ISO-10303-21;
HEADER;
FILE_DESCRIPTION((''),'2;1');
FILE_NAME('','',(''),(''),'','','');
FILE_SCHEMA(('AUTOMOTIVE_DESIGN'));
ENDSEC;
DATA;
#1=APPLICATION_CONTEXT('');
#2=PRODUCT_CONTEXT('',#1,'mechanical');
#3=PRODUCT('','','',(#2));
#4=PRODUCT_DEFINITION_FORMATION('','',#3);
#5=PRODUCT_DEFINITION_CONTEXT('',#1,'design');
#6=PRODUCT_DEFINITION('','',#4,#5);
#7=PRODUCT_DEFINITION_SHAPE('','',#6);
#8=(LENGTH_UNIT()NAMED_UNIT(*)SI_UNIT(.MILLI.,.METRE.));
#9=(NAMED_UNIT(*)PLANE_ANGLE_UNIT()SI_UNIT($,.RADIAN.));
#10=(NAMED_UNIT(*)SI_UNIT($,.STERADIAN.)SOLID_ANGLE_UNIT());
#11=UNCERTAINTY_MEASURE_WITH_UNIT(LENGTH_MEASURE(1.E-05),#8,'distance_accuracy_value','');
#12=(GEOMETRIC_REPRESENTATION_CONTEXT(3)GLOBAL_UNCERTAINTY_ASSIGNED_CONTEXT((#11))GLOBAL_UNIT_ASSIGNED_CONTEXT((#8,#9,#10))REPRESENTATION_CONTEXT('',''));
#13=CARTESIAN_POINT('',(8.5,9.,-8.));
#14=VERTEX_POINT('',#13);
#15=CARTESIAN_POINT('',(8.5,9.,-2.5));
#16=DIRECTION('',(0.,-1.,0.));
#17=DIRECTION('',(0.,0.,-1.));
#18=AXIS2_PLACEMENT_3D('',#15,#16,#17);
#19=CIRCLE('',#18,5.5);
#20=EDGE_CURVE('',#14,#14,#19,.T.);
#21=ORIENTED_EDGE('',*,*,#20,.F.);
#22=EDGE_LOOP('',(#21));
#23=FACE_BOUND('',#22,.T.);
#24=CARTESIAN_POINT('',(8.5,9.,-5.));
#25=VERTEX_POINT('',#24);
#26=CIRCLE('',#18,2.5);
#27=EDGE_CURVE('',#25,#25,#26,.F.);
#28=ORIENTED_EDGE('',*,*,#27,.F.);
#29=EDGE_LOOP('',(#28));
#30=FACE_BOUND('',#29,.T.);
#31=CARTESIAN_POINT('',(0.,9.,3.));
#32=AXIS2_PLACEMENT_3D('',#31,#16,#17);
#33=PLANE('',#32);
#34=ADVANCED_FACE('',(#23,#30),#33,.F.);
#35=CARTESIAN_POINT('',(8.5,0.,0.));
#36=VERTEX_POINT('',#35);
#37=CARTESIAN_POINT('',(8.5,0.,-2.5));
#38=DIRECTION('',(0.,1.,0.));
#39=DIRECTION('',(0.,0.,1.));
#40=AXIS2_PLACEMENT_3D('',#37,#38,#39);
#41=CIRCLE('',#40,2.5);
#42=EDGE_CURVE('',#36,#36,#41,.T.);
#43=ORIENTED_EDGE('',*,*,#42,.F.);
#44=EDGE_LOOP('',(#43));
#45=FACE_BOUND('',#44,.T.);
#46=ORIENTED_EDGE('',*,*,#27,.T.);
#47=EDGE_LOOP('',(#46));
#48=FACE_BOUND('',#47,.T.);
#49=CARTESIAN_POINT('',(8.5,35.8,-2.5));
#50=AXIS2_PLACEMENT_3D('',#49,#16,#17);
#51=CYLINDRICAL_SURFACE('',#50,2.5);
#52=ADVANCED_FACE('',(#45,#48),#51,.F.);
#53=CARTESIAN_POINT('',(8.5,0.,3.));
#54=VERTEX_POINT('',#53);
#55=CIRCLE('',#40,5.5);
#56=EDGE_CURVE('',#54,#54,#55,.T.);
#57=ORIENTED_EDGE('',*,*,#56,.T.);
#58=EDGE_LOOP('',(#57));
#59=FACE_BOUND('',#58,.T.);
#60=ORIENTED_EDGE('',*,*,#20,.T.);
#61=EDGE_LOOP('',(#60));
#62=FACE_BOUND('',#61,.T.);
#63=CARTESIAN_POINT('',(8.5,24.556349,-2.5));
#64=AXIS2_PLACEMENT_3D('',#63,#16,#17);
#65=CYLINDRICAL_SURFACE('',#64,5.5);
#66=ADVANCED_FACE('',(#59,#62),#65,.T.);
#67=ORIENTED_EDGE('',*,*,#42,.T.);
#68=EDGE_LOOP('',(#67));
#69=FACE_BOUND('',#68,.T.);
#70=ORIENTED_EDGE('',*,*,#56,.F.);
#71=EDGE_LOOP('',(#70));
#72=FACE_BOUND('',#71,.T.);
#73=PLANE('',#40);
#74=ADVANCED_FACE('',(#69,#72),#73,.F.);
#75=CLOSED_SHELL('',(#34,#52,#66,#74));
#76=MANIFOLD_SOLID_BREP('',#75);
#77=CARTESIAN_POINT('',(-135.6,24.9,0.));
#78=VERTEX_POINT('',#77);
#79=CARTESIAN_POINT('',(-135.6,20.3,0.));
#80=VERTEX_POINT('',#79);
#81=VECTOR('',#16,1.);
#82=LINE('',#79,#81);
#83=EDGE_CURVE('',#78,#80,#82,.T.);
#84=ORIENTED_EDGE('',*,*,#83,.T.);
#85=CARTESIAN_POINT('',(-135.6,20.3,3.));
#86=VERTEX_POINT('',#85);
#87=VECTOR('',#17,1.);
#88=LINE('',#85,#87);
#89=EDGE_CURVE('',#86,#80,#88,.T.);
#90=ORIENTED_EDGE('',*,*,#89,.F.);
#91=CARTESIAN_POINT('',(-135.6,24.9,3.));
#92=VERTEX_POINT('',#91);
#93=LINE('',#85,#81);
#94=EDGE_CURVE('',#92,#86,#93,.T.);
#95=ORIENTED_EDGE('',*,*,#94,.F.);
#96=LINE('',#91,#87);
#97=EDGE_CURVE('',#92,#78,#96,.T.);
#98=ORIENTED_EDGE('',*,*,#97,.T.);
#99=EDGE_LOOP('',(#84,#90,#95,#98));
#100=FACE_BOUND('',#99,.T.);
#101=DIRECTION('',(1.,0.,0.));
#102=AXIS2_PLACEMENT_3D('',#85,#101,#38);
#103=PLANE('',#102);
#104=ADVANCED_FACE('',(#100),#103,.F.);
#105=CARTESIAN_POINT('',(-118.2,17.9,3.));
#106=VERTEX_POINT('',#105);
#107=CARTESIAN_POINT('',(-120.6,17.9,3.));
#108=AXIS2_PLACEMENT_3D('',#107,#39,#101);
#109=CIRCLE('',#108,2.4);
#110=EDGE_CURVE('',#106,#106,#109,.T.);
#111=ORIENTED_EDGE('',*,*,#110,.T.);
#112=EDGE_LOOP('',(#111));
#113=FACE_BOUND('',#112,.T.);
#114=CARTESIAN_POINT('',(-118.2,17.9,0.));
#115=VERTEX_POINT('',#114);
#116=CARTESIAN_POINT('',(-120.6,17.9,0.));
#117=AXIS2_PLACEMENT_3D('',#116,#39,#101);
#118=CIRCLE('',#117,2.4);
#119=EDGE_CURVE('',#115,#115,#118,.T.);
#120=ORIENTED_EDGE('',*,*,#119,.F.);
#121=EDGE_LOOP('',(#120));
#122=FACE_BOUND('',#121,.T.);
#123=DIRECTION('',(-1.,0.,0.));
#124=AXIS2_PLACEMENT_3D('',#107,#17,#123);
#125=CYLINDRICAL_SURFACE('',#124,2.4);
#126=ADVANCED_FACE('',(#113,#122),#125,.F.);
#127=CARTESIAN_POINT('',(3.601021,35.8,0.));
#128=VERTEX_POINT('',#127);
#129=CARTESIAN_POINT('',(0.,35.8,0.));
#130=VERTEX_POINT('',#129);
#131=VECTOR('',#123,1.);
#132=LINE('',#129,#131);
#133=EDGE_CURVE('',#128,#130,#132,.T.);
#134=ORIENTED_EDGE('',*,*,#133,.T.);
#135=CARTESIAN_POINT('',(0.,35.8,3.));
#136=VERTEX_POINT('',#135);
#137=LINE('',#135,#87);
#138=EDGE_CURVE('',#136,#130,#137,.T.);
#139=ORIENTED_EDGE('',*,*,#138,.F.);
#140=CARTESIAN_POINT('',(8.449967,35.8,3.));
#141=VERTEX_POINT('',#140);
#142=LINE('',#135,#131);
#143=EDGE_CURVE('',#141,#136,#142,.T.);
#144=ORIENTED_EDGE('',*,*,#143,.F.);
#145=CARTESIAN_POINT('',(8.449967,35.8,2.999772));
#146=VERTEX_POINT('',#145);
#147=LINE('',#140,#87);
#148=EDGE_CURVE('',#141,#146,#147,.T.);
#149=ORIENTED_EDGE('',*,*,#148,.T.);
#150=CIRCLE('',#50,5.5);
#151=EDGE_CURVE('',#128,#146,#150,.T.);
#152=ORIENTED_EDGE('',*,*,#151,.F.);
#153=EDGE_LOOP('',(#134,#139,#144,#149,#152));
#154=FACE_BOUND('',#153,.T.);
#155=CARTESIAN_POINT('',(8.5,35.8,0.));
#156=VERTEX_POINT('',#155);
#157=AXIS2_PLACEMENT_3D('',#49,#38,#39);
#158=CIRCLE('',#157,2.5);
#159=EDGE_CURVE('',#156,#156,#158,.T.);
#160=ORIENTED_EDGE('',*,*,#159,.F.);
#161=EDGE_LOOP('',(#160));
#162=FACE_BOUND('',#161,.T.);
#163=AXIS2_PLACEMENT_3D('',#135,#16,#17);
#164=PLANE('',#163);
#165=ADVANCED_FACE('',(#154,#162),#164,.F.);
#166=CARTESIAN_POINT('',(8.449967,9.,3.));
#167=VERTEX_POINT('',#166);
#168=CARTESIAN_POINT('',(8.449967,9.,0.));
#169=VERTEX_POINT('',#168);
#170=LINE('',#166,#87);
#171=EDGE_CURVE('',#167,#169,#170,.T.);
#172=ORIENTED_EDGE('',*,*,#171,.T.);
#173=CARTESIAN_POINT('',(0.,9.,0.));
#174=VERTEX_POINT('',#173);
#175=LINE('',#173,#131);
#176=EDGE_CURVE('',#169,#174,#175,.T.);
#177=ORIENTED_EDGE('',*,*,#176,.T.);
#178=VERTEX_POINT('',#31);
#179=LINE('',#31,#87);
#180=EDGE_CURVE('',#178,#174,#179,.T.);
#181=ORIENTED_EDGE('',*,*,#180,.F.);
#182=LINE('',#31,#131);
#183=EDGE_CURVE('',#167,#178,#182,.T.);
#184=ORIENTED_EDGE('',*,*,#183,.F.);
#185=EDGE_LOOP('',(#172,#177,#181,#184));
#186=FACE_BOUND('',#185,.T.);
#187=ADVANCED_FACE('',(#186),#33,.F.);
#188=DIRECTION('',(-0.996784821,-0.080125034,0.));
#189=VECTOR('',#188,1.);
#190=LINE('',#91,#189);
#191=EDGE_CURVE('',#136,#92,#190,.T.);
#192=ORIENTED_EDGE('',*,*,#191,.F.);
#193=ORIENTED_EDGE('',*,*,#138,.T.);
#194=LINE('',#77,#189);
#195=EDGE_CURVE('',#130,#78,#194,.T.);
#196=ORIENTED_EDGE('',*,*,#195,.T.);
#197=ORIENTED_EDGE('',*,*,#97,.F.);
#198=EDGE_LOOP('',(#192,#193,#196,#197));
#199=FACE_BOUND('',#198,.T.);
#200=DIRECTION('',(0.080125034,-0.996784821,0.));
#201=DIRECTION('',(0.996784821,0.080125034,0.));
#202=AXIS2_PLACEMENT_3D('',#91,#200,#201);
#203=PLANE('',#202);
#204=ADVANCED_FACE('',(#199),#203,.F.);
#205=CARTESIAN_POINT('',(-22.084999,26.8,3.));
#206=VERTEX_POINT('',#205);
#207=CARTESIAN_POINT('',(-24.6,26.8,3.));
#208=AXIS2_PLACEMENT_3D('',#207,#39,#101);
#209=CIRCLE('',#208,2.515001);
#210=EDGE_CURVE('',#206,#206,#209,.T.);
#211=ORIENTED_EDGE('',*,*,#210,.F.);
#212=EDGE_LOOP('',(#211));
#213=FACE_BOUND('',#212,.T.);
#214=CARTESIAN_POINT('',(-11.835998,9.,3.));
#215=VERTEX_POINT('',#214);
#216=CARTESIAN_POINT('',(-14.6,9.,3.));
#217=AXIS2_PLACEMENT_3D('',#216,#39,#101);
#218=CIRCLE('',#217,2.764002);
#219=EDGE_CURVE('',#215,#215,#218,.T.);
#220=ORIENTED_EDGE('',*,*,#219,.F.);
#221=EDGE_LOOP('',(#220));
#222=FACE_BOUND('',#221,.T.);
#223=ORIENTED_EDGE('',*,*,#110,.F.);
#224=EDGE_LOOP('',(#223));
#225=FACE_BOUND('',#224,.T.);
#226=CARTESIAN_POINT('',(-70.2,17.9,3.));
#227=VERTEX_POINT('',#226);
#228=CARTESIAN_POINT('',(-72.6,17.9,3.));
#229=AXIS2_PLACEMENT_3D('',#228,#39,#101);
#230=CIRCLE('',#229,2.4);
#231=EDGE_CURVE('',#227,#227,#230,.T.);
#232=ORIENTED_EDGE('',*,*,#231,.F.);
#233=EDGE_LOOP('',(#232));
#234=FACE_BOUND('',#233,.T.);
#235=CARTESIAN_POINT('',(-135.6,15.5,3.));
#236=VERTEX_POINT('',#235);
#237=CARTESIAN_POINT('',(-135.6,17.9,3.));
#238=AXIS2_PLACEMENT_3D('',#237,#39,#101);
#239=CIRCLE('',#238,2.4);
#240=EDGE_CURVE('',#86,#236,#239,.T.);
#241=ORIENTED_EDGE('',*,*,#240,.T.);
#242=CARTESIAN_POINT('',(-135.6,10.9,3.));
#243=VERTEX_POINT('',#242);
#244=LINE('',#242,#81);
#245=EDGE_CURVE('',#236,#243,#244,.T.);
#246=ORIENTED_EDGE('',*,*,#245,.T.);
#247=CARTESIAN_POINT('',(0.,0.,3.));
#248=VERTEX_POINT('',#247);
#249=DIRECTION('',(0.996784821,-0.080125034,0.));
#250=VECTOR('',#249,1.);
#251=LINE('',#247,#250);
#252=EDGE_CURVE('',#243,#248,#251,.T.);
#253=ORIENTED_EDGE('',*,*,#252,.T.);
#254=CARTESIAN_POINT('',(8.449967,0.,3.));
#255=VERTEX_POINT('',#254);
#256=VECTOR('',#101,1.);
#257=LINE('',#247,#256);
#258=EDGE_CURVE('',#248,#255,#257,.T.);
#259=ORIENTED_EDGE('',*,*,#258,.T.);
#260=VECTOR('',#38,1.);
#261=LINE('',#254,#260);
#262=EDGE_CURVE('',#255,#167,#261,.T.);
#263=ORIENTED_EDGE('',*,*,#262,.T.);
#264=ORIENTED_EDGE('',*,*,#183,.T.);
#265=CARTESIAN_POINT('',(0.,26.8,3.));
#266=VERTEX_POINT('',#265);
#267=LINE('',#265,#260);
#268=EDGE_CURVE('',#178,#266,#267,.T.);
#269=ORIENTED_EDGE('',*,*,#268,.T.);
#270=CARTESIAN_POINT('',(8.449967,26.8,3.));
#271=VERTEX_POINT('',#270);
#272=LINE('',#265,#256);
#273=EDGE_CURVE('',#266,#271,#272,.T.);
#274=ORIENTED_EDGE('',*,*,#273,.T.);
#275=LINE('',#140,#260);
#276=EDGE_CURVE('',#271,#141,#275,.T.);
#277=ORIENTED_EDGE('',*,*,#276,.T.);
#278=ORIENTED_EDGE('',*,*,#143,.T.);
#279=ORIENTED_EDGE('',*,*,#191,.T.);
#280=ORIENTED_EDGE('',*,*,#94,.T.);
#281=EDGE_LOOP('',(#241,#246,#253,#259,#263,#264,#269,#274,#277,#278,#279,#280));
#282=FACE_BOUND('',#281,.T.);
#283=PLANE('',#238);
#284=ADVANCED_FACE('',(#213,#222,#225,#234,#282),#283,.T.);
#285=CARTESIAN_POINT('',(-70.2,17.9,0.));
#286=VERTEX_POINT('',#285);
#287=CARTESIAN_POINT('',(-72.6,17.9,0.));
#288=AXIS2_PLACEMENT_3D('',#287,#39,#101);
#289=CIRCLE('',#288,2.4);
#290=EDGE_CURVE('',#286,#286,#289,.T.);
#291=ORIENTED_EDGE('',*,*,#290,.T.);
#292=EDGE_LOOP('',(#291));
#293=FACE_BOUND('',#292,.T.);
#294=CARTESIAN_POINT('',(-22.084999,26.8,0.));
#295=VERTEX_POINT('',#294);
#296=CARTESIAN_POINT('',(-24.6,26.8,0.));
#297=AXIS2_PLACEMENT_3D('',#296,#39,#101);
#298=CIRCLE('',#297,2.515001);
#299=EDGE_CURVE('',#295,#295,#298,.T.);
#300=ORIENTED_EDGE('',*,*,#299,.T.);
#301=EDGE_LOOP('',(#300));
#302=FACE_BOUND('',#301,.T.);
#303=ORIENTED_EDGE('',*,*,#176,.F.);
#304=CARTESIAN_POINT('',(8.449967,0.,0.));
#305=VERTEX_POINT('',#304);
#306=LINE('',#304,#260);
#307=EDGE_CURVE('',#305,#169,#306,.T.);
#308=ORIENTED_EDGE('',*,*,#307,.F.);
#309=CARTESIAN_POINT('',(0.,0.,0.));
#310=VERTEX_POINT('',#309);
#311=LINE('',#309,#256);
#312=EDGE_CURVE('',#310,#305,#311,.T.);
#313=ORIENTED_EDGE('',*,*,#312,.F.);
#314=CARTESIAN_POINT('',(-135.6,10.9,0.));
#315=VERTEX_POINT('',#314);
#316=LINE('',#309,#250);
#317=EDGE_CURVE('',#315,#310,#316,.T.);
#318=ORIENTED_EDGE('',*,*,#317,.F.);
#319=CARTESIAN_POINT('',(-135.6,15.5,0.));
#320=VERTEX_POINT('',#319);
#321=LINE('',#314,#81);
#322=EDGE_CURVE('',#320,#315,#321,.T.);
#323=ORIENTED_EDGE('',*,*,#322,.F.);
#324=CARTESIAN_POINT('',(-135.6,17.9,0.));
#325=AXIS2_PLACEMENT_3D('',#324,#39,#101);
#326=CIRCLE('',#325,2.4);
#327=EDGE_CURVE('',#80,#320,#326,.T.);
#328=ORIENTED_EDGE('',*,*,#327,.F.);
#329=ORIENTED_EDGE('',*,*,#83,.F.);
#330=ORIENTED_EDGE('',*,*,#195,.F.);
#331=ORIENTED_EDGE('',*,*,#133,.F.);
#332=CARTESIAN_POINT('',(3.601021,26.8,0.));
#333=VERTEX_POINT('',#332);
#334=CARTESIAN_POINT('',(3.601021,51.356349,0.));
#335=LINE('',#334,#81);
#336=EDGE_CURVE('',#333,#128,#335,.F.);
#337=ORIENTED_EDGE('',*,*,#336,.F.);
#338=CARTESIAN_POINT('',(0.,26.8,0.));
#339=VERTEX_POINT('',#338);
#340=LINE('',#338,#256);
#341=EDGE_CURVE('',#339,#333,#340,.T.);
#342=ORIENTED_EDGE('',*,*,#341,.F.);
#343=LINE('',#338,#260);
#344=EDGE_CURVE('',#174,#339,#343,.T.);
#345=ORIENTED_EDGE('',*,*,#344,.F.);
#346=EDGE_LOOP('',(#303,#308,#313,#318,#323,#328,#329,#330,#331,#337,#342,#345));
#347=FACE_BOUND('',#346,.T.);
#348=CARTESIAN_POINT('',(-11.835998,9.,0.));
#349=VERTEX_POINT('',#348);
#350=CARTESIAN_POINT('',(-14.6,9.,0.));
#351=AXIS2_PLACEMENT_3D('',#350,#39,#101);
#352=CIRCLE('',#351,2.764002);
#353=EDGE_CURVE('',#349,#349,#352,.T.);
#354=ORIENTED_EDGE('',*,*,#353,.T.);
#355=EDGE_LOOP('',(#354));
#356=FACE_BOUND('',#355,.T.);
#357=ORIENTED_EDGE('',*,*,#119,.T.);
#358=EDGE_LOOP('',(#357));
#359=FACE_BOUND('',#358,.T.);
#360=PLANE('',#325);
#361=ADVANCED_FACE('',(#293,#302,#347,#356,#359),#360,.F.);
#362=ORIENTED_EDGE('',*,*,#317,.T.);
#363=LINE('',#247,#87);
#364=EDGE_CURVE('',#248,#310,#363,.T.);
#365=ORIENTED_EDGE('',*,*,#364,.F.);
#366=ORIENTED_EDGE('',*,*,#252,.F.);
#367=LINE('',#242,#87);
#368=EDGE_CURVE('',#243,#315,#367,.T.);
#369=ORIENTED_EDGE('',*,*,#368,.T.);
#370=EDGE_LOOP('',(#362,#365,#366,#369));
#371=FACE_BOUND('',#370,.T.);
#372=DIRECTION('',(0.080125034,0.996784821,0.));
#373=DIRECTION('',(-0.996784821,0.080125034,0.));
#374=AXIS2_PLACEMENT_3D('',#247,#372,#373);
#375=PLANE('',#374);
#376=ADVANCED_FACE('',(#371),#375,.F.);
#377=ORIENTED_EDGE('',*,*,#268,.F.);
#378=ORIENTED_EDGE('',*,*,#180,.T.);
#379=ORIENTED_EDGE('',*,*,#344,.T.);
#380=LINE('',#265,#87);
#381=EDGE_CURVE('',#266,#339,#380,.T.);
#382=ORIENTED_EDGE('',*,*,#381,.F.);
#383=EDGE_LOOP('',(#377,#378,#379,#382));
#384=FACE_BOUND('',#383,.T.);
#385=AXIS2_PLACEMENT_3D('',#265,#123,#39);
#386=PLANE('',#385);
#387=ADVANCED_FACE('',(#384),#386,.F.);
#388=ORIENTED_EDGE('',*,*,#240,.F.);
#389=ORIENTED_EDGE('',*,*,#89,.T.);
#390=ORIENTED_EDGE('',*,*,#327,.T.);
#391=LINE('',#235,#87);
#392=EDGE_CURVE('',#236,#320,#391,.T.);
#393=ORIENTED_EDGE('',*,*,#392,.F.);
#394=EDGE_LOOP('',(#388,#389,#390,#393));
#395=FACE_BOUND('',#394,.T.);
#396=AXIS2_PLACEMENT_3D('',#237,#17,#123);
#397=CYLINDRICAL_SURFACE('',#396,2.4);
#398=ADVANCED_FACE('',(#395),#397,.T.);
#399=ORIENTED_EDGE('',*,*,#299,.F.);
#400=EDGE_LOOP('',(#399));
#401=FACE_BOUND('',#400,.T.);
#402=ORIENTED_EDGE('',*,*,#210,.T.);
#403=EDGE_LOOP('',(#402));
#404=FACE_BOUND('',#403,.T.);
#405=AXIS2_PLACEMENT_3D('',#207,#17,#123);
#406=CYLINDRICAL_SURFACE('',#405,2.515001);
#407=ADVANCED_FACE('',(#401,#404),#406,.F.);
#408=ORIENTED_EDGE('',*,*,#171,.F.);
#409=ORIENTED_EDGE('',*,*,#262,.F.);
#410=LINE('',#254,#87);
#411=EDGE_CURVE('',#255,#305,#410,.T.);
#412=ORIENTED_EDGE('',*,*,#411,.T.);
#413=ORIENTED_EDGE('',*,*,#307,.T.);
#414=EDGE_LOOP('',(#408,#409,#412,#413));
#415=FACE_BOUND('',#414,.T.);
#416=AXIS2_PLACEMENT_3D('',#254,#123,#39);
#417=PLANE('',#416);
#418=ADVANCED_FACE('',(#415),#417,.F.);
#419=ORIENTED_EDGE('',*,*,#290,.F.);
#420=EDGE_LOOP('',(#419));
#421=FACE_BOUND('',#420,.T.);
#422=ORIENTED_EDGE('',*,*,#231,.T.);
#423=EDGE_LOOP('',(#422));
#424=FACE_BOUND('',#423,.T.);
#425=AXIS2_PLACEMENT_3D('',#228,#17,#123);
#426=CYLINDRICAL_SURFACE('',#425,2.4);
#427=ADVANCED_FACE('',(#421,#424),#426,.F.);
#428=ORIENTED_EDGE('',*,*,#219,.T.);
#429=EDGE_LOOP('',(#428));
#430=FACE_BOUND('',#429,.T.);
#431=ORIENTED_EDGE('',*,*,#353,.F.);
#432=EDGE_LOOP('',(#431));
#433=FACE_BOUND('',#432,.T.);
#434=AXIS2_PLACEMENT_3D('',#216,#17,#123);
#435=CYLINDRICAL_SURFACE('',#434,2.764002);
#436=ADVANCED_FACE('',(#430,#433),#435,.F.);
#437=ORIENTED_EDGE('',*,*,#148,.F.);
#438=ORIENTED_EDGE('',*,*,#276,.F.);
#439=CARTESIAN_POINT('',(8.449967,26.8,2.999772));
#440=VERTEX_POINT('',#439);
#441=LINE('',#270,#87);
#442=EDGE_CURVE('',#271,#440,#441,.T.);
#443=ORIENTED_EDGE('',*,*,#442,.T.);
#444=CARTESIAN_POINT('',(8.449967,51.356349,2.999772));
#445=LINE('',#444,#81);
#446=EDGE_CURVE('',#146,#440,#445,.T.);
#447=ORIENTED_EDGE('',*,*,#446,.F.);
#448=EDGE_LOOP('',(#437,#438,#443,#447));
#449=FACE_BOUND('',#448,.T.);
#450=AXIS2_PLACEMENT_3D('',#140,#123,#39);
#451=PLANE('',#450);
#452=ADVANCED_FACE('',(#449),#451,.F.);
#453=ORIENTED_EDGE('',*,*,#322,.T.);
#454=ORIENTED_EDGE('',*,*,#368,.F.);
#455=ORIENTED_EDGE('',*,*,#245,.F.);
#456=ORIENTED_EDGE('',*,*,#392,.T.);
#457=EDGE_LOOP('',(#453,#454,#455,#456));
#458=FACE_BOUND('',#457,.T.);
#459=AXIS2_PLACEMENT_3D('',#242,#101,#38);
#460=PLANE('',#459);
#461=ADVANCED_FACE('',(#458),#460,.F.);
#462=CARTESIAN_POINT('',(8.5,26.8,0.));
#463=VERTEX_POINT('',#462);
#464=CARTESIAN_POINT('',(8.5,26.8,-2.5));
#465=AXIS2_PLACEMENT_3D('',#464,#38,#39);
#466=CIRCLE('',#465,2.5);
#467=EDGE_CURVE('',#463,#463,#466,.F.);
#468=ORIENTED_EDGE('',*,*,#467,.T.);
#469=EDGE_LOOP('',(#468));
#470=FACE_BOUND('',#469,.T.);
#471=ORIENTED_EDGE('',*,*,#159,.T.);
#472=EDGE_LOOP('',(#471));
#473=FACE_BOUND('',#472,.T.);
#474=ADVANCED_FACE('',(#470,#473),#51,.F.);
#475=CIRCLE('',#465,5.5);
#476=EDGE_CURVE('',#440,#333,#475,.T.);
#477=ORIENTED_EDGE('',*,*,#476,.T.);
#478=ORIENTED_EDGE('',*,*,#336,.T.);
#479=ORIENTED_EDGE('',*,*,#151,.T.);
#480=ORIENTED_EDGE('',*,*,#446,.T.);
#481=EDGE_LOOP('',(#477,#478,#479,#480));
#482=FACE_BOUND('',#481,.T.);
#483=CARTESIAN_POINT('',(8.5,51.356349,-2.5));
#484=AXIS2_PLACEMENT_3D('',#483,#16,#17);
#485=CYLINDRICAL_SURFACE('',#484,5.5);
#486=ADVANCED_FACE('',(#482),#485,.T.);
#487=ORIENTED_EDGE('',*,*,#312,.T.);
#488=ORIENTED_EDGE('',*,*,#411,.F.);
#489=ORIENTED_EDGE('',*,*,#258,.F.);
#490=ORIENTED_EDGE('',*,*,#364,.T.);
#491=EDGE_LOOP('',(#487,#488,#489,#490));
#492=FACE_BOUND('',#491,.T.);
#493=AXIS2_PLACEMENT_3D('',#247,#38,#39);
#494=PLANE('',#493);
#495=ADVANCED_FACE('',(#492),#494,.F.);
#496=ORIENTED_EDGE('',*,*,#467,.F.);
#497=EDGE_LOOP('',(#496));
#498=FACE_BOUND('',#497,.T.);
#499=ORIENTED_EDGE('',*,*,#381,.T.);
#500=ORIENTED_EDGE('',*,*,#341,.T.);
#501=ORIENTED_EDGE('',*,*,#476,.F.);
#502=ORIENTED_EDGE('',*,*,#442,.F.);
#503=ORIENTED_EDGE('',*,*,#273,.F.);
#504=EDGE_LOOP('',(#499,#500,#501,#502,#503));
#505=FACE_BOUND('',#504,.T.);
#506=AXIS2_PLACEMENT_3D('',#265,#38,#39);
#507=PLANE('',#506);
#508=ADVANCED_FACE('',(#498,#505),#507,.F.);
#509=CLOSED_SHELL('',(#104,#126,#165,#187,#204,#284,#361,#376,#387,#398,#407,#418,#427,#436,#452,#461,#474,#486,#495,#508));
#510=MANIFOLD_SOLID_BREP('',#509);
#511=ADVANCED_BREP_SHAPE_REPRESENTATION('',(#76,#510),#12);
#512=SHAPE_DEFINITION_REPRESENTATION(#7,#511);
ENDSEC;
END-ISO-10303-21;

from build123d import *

# Parameters (mm, degrees)
SKETCH1_R           = 2.4
SKETCH1_R_2         = 2.515000774
SKETCH1_R_3         = 2.764002303
BOSS_EXTRUDE1_DEPTH = 3
SKETCH2_R           = 5.5
BOSS_EXTRUDE2_DEPTH = 9
BOSS_EXTRUDE3_START = 26.8
SKETCH2_2_R         = 5.5
BOSS_EXTRUDE3_DEPTH = 9
SKETCH4_R           = 2.5
CUT_EXTRUDE1_DEPTH  = 143.792296711


with BuildPart() as part:
    # Sketch1 → Boss-Extrude1 (new body)
    with BuildSketch(Plane.XY):
        with BuildLine():
            Line((0, 0), (-135.6, 10.9))
            Line((-135.6, 10.9), (-135.6, 15.5))
            ThreePointArc((-135.6, 15.5), (-138, 17.9), (-135.6, 20.3))
            Line((-135.6, 20.3), (-135.6, 24.9))
            Line((-135.6, 24.9), (0, 35.8))
            Line((0, 35.8), (8.449966918, 35.8))
            Line((8.449966918, 35.8), (8.449966918, 26.8))
            Line((8.449966918, 26.8), (0, 26.8))
            Line((0, 26.8), (0, 9))
            Line((0, 9), (8.449966918, 9))
            Line((8.449966918, 9), (8.449966918, 0))
            Line((8.449966918, 0), (0, 0))
        make_face()
        with Locations((-120.6, 17.9)):
            Circle(SKETCH1_R, mode=Mode.SUBTRACT)
        with Locations((-72.6, 17.9)):
            Circle(SKETCH1_R, mode=Mode.SUBTRACT)
        with Locations((-24.6, 26.8)):
            Circle(SKETCH1_R_2, mode=Mode.SUBTRACT)
        with Locations((-14.6, 9)):
            Circle(SKETCH1_R_3, mode=Mode.SUBTRACT)
    extrude(amount=BOSS_EXTRUDE1_DEPTH)

    # Sketch2<2> → Boss-Extrude3 (add)
    with BuildSketch(Plane(origin=(0, 0, 0), x_dir=(1, 0, 0), z_dir=(0, 1, 0)).offset(BOSS_EXTRUDE3_START)):
        with Locations(Location((8.5, 2.5, 0), (0, 0, 90))):
            Circle(SKETCH2_2_R)
    extrude(amount=BOSS_EXTRUDE3_DEPTH)


with BuildPart() as body_2:
    # Sketch2 → Boss-Extrude2 (new body)
    with BuildSketch(Plane(origin=(0, 0, 0), x_dir=(1, 0, 0), z_dir=(0, 1, 0))):
        with Locations(Location((8.5, 2.5, 0), (0, 0, 90))):
            Circle(SKETCH2_R)
    extrude(amount=BOSS_EXTRUDE2_DEPTH)


with BuildPart() as cut_extrude1_tool:
    # Sketch4 → Cut-Extrude1 (new, through all)
    with BuildSketch(Plane(origin=(0, 0, 0), x_dir=(1, 0, 0), z_dir=(0, 1, 0))):
        with Locations(Location((8.5, 2.5, 0), (0, 0, 90))):
            Circle(SKETCH4_R)
    extrude(amount=CUT_EXTRUDE1_DEPTH)


with BuildPart() as part_1:
    add(part.part)

    # Cut-Extrude1: cut by cut_extrude1_tool
    add(cut_extrude1_tool.part, mode=Mode.SUBTRACT)


with BuildPart() as body_2_1:
    add(body_2.part)

    # Cut-Extrude1: cut by cut_extrude1_tool
    add(cut_extrude1_tool.part, mode=Mode.SUBTRACT)


solid = Compound([part_1.part, body_2_1.part])
